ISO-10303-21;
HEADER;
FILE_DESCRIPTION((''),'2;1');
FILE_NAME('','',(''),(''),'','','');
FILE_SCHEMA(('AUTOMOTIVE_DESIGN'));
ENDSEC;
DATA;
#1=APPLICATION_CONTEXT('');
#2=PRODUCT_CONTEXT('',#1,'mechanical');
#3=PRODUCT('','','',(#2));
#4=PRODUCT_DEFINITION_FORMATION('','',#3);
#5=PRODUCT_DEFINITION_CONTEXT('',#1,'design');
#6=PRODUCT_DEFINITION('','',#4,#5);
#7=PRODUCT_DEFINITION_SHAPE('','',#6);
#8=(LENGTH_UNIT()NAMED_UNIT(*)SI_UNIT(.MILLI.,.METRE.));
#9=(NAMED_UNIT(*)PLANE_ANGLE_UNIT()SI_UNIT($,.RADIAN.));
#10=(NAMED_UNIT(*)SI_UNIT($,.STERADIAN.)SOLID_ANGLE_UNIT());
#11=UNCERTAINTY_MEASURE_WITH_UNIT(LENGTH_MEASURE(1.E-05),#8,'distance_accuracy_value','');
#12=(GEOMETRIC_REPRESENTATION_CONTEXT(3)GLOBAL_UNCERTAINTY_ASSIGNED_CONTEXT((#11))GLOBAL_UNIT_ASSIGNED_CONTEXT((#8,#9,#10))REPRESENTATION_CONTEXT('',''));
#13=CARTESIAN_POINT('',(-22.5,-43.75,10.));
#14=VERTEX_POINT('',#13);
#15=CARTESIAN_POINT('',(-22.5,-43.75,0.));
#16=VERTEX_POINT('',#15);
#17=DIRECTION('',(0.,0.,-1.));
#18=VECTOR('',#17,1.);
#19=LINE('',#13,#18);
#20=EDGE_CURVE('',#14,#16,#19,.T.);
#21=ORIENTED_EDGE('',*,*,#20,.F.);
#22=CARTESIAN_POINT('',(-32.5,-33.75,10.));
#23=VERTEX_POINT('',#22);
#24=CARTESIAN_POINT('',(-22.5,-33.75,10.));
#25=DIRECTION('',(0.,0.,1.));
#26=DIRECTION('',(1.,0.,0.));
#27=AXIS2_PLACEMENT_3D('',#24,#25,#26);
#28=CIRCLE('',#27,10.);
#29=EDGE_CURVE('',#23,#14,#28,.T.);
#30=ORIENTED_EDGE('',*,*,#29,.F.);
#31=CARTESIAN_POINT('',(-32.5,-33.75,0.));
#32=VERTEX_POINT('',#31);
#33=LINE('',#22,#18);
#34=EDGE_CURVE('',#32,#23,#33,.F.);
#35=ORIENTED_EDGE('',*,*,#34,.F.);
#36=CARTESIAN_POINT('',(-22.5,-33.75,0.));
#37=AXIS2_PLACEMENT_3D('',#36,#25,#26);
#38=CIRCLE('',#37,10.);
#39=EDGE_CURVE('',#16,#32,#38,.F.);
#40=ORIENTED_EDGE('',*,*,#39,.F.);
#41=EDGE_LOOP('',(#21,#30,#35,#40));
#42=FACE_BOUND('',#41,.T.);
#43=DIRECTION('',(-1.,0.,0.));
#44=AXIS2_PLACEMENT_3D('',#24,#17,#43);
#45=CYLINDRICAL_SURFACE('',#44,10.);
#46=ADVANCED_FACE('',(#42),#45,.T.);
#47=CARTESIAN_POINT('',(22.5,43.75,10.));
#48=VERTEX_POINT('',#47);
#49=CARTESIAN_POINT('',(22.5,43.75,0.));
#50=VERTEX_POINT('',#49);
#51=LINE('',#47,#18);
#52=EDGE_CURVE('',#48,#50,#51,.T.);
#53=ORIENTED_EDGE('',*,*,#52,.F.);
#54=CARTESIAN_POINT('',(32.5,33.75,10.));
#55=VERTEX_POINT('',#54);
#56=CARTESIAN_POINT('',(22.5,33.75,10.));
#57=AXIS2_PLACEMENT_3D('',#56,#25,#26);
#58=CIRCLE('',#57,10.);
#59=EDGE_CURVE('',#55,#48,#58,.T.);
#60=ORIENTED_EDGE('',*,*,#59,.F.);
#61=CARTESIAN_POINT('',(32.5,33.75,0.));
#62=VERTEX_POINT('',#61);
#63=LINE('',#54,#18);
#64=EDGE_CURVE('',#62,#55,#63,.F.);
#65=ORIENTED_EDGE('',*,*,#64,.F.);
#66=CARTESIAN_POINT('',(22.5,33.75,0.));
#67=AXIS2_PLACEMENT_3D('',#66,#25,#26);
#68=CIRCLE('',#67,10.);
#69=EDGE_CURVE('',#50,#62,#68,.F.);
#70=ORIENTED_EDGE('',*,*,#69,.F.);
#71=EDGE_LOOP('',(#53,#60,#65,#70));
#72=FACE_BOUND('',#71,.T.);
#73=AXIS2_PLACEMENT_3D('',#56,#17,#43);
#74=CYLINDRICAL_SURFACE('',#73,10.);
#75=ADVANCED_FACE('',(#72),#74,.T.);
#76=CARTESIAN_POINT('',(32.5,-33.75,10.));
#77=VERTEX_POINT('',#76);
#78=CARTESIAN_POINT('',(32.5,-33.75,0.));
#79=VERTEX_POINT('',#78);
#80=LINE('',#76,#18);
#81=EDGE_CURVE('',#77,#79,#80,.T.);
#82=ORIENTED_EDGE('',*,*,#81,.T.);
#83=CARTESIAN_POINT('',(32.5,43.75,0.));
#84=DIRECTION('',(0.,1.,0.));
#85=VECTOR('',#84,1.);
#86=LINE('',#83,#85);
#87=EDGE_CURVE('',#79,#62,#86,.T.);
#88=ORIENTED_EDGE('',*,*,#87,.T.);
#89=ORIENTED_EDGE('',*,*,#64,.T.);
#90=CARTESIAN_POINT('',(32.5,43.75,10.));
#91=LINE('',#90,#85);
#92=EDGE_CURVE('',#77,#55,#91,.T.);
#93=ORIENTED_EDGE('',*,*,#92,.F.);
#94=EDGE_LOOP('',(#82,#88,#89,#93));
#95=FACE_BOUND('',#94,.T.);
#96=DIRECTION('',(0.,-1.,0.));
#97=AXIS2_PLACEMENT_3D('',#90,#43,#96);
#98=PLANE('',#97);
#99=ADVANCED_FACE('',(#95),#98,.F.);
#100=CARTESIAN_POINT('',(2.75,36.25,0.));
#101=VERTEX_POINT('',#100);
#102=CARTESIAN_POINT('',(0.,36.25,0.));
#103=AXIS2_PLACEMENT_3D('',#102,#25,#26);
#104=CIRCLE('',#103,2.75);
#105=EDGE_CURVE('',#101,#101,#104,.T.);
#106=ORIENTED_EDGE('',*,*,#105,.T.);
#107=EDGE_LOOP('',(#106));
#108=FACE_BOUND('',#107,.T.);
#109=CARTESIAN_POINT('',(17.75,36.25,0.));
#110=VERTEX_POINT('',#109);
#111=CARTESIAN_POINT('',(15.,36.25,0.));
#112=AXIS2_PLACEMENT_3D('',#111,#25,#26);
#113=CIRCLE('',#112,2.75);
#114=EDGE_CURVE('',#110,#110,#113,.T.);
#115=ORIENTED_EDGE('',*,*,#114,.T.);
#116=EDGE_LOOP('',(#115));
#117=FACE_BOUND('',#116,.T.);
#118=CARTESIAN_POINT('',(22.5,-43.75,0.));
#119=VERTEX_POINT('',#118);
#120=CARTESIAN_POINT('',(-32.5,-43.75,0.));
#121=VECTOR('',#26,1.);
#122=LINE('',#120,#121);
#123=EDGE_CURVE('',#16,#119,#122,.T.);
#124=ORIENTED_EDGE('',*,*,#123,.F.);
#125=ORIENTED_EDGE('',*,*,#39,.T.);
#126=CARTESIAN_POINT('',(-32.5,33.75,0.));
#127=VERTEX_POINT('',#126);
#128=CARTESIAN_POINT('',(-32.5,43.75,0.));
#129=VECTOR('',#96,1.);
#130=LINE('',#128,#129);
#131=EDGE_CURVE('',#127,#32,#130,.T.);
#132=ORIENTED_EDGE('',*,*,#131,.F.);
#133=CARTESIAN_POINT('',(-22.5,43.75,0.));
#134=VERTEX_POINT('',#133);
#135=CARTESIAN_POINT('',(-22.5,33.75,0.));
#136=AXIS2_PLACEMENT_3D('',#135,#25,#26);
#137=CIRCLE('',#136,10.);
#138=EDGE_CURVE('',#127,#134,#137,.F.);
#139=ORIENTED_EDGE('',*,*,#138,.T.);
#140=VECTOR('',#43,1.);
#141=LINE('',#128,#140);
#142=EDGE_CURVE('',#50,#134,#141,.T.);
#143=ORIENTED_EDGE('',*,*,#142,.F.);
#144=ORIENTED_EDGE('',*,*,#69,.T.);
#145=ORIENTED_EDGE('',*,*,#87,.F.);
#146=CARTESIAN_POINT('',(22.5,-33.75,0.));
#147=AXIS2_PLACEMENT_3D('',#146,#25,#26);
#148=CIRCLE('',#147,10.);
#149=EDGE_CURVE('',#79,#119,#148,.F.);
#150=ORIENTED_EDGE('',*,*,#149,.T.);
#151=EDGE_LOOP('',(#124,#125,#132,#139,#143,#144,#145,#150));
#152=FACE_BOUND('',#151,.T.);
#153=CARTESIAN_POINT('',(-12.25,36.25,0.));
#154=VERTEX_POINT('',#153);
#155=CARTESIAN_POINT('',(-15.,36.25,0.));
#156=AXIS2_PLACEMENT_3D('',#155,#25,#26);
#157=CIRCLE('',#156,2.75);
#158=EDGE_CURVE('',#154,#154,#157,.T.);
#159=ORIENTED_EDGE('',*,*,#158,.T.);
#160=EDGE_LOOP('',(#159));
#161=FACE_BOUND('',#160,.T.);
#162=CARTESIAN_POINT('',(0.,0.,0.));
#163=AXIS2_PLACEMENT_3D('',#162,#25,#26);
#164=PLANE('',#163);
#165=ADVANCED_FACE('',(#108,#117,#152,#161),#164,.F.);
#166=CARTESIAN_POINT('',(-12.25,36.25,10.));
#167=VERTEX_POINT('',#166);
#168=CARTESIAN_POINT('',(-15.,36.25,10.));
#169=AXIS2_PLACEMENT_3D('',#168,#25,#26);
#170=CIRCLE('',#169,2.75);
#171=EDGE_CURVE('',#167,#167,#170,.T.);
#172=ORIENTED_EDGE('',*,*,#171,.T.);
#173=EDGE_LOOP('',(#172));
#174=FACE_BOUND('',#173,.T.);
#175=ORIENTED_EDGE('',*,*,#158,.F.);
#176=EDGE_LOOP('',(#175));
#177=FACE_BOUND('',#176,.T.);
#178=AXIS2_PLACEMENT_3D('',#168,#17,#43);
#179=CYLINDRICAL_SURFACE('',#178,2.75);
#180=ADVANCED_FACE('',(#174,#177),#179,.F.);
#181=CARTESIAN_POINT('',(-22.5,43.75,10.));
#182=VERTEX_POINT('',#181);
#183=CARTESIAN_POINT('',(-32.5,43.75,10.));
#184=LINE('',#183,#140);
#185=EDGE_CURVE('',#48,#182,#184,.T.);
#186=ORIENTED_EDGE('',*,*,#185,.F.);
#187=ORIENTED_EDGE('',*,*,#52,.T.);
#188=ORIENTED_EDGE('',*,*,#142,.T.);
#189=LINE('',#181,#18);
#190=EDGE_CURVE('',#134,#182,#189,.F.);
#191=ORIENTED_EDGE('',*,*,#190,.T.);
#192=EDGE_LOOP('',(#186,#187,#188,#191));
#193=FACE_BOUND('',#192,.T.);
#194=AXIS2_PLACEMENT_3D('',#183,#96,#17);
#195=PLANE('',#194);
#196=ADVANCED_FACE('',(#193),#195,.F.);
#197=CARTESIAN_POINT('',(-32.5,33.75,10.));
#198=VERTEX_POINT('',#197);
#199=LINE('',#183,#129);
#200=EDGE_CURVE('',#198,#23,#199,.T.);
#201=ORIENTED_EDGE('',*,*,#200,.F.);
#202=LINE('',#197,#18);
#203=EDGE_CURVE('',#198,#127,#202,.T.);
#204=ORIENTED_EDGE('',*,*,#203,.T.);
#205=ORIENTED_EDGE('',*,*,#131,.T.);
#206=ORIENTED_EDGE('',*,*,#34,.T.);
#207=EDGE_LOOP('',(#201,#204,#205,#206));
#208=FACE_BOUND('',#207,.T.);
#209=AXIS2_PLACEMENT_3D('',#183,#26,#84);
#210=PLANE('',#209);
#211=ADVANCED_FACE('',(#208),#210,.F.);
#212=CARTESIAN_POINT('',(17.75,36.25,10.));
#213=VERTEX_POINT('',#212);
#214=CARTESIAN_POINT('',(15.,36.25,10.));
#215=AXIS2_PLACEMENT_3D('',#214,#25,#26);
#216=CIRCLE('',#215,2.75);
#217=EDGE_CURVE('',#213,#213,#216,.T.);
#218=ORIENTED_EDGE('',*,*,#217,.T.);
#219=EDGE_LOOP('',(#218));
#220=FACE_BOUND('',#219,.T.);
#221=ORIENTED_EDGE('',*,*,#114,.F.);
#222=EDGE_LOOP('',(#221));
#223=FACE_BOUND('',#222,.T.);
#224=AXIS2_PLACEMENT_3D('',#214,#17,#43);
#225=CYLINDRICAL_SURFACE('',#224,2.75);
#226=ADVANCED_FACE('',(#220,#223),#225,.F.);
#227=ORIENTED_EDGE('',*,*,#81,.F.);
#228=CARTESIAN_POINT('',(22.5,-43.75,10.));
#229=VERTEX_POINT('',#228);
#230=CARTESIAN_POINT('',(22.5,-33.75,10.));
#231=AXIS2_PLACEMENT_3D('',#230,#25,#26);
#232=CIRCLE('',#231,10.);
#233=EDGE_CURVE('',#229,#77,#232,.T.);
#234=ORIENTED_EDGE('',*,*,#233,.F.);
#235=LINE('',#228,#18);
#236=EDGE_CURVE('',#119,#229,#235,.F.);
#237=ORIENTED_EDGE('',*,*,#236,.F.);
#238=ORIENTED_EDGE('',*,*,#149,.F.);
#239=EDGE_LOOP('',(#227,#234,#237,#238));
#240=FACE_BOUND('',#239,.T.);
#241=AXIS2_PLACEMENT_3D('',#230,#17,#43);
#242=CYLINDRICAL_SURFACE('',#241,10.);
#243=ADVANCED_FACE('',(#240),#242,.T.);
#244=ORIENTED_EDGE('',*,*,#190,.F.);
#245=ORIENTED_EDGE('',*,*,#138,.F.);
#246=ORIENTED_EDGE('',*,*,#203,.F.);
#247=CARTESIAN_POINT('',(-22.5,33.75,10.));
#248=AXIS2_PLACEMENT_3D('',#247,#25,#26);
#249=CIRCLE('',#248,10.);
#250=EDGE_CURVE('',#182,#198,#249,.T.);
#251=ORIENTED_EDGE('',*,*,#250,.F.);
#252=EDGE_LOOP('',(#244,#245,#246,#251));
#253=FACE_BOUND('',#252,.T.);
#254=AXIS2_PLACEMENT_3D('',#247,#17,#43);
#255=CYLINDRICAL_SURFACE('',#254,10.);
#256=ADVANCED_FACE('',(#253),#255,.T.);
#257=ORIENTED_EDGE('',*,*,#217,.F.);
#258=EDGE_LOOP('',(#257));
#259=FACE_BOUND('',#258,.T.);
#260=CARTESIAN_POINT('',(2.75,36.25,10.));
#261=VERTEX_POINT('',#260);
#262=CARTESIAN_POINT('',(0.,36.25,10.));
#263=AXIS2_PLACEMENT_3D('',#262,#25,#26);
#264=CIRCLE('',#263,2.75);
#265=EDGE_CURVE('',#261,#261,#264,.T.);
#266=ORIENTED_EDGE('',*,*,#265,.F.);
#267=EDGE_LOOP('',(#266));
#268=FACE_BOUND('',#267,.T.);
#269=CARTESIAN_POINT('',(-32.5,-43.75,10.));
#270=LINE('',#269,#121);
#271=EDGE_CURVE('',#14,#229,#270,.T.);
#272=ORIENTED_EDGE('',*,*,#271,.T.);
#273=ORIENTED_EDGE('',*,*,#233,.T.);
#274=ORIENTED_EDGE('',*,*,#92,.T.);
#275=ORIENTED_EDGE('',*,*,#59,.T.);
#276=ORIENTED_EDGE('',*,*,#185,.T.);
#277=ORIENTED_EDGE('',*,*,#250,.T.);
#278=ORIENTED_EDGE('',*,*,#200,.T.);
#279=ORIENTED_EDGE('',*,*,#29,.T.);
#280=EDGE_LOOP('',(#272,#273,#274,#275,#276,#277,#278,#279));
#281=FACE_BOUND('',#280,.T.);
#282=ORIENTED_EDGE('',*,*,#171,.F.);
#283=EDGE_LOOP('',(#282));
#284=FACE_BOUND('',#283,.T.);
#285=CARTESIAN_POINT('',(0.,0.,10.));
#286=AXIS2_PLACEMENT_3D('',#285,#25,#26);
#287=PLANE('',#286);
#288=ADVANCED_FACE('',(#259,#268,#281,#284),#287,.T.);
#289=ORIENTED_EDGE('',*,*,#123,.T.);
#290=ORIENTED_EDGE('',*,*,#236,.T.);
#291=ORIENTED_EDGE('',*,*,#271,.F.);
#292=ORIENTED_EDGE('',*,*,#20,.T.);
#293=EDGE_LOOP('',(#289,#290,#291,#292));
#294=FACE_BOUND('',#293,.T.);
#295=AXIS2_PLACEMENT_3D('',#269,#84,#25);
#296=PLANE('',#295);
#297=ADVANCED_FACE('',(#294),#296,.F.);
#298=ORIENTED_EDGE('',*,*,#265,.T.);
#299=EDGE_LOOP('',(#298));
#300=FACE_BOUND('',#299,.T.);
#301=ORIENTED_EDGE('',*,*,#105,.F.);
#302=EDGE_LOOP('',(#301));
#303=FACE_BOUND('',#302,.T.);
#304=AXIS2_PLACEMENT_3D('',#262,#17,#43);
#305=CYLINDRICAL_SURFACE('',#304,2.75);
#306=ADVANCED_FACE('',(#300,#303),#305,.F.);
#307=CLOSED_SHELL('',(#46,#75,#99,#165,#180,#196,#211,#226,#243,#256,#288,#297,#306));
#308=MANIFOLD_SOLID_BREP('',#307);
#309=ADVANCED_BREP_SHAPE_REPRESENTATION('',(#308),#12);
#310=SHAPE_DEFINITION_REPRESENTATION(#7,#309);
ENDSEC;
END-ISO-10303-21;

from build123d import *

# Parameters (mm, degrees)
SKETCH1_W           = 65
SKETCH1_H           = 87.5
SKETCH1_R           = 2.75
BOSS_EXTRUDE1_DEPTH = 10
FILLET1_R           = 10


with BuildPart() as part:
    # Sketch1 → Boss-Extrude1 (new body)
    with BuildSketch(Plane.XY):
        Rectangle(SKETCH1_W, SKETCH1_H)
        with Locations((-15, 36.25)):
            Circle(SKETCH1_R, mode=Mode.SUBTRACT)
        with Locations((0, 36.25)):
            Circle(SKETCH1_R, mode=Mode.SUBTRACT)
        with Locations((15, 36.25)):
            Circle(SKETCH1_R, mode=Mode.SUBTRACT)
    extrude(amount=BOSS_EXTRUDE1_DEPTH)

    # Fillet1
    fillet1_edges = [part.edges().sort_by_distance(p)[0] for p in [
        (-32.5, 43.75, 5),
        (32.5, 43.75, 5),
        (32.5, -43.75, 5),
        (-32.5, -43.75, 5),
    ]]
    fillet(fillet1_edges, radius=FILLET1_R)


solid = part.part
